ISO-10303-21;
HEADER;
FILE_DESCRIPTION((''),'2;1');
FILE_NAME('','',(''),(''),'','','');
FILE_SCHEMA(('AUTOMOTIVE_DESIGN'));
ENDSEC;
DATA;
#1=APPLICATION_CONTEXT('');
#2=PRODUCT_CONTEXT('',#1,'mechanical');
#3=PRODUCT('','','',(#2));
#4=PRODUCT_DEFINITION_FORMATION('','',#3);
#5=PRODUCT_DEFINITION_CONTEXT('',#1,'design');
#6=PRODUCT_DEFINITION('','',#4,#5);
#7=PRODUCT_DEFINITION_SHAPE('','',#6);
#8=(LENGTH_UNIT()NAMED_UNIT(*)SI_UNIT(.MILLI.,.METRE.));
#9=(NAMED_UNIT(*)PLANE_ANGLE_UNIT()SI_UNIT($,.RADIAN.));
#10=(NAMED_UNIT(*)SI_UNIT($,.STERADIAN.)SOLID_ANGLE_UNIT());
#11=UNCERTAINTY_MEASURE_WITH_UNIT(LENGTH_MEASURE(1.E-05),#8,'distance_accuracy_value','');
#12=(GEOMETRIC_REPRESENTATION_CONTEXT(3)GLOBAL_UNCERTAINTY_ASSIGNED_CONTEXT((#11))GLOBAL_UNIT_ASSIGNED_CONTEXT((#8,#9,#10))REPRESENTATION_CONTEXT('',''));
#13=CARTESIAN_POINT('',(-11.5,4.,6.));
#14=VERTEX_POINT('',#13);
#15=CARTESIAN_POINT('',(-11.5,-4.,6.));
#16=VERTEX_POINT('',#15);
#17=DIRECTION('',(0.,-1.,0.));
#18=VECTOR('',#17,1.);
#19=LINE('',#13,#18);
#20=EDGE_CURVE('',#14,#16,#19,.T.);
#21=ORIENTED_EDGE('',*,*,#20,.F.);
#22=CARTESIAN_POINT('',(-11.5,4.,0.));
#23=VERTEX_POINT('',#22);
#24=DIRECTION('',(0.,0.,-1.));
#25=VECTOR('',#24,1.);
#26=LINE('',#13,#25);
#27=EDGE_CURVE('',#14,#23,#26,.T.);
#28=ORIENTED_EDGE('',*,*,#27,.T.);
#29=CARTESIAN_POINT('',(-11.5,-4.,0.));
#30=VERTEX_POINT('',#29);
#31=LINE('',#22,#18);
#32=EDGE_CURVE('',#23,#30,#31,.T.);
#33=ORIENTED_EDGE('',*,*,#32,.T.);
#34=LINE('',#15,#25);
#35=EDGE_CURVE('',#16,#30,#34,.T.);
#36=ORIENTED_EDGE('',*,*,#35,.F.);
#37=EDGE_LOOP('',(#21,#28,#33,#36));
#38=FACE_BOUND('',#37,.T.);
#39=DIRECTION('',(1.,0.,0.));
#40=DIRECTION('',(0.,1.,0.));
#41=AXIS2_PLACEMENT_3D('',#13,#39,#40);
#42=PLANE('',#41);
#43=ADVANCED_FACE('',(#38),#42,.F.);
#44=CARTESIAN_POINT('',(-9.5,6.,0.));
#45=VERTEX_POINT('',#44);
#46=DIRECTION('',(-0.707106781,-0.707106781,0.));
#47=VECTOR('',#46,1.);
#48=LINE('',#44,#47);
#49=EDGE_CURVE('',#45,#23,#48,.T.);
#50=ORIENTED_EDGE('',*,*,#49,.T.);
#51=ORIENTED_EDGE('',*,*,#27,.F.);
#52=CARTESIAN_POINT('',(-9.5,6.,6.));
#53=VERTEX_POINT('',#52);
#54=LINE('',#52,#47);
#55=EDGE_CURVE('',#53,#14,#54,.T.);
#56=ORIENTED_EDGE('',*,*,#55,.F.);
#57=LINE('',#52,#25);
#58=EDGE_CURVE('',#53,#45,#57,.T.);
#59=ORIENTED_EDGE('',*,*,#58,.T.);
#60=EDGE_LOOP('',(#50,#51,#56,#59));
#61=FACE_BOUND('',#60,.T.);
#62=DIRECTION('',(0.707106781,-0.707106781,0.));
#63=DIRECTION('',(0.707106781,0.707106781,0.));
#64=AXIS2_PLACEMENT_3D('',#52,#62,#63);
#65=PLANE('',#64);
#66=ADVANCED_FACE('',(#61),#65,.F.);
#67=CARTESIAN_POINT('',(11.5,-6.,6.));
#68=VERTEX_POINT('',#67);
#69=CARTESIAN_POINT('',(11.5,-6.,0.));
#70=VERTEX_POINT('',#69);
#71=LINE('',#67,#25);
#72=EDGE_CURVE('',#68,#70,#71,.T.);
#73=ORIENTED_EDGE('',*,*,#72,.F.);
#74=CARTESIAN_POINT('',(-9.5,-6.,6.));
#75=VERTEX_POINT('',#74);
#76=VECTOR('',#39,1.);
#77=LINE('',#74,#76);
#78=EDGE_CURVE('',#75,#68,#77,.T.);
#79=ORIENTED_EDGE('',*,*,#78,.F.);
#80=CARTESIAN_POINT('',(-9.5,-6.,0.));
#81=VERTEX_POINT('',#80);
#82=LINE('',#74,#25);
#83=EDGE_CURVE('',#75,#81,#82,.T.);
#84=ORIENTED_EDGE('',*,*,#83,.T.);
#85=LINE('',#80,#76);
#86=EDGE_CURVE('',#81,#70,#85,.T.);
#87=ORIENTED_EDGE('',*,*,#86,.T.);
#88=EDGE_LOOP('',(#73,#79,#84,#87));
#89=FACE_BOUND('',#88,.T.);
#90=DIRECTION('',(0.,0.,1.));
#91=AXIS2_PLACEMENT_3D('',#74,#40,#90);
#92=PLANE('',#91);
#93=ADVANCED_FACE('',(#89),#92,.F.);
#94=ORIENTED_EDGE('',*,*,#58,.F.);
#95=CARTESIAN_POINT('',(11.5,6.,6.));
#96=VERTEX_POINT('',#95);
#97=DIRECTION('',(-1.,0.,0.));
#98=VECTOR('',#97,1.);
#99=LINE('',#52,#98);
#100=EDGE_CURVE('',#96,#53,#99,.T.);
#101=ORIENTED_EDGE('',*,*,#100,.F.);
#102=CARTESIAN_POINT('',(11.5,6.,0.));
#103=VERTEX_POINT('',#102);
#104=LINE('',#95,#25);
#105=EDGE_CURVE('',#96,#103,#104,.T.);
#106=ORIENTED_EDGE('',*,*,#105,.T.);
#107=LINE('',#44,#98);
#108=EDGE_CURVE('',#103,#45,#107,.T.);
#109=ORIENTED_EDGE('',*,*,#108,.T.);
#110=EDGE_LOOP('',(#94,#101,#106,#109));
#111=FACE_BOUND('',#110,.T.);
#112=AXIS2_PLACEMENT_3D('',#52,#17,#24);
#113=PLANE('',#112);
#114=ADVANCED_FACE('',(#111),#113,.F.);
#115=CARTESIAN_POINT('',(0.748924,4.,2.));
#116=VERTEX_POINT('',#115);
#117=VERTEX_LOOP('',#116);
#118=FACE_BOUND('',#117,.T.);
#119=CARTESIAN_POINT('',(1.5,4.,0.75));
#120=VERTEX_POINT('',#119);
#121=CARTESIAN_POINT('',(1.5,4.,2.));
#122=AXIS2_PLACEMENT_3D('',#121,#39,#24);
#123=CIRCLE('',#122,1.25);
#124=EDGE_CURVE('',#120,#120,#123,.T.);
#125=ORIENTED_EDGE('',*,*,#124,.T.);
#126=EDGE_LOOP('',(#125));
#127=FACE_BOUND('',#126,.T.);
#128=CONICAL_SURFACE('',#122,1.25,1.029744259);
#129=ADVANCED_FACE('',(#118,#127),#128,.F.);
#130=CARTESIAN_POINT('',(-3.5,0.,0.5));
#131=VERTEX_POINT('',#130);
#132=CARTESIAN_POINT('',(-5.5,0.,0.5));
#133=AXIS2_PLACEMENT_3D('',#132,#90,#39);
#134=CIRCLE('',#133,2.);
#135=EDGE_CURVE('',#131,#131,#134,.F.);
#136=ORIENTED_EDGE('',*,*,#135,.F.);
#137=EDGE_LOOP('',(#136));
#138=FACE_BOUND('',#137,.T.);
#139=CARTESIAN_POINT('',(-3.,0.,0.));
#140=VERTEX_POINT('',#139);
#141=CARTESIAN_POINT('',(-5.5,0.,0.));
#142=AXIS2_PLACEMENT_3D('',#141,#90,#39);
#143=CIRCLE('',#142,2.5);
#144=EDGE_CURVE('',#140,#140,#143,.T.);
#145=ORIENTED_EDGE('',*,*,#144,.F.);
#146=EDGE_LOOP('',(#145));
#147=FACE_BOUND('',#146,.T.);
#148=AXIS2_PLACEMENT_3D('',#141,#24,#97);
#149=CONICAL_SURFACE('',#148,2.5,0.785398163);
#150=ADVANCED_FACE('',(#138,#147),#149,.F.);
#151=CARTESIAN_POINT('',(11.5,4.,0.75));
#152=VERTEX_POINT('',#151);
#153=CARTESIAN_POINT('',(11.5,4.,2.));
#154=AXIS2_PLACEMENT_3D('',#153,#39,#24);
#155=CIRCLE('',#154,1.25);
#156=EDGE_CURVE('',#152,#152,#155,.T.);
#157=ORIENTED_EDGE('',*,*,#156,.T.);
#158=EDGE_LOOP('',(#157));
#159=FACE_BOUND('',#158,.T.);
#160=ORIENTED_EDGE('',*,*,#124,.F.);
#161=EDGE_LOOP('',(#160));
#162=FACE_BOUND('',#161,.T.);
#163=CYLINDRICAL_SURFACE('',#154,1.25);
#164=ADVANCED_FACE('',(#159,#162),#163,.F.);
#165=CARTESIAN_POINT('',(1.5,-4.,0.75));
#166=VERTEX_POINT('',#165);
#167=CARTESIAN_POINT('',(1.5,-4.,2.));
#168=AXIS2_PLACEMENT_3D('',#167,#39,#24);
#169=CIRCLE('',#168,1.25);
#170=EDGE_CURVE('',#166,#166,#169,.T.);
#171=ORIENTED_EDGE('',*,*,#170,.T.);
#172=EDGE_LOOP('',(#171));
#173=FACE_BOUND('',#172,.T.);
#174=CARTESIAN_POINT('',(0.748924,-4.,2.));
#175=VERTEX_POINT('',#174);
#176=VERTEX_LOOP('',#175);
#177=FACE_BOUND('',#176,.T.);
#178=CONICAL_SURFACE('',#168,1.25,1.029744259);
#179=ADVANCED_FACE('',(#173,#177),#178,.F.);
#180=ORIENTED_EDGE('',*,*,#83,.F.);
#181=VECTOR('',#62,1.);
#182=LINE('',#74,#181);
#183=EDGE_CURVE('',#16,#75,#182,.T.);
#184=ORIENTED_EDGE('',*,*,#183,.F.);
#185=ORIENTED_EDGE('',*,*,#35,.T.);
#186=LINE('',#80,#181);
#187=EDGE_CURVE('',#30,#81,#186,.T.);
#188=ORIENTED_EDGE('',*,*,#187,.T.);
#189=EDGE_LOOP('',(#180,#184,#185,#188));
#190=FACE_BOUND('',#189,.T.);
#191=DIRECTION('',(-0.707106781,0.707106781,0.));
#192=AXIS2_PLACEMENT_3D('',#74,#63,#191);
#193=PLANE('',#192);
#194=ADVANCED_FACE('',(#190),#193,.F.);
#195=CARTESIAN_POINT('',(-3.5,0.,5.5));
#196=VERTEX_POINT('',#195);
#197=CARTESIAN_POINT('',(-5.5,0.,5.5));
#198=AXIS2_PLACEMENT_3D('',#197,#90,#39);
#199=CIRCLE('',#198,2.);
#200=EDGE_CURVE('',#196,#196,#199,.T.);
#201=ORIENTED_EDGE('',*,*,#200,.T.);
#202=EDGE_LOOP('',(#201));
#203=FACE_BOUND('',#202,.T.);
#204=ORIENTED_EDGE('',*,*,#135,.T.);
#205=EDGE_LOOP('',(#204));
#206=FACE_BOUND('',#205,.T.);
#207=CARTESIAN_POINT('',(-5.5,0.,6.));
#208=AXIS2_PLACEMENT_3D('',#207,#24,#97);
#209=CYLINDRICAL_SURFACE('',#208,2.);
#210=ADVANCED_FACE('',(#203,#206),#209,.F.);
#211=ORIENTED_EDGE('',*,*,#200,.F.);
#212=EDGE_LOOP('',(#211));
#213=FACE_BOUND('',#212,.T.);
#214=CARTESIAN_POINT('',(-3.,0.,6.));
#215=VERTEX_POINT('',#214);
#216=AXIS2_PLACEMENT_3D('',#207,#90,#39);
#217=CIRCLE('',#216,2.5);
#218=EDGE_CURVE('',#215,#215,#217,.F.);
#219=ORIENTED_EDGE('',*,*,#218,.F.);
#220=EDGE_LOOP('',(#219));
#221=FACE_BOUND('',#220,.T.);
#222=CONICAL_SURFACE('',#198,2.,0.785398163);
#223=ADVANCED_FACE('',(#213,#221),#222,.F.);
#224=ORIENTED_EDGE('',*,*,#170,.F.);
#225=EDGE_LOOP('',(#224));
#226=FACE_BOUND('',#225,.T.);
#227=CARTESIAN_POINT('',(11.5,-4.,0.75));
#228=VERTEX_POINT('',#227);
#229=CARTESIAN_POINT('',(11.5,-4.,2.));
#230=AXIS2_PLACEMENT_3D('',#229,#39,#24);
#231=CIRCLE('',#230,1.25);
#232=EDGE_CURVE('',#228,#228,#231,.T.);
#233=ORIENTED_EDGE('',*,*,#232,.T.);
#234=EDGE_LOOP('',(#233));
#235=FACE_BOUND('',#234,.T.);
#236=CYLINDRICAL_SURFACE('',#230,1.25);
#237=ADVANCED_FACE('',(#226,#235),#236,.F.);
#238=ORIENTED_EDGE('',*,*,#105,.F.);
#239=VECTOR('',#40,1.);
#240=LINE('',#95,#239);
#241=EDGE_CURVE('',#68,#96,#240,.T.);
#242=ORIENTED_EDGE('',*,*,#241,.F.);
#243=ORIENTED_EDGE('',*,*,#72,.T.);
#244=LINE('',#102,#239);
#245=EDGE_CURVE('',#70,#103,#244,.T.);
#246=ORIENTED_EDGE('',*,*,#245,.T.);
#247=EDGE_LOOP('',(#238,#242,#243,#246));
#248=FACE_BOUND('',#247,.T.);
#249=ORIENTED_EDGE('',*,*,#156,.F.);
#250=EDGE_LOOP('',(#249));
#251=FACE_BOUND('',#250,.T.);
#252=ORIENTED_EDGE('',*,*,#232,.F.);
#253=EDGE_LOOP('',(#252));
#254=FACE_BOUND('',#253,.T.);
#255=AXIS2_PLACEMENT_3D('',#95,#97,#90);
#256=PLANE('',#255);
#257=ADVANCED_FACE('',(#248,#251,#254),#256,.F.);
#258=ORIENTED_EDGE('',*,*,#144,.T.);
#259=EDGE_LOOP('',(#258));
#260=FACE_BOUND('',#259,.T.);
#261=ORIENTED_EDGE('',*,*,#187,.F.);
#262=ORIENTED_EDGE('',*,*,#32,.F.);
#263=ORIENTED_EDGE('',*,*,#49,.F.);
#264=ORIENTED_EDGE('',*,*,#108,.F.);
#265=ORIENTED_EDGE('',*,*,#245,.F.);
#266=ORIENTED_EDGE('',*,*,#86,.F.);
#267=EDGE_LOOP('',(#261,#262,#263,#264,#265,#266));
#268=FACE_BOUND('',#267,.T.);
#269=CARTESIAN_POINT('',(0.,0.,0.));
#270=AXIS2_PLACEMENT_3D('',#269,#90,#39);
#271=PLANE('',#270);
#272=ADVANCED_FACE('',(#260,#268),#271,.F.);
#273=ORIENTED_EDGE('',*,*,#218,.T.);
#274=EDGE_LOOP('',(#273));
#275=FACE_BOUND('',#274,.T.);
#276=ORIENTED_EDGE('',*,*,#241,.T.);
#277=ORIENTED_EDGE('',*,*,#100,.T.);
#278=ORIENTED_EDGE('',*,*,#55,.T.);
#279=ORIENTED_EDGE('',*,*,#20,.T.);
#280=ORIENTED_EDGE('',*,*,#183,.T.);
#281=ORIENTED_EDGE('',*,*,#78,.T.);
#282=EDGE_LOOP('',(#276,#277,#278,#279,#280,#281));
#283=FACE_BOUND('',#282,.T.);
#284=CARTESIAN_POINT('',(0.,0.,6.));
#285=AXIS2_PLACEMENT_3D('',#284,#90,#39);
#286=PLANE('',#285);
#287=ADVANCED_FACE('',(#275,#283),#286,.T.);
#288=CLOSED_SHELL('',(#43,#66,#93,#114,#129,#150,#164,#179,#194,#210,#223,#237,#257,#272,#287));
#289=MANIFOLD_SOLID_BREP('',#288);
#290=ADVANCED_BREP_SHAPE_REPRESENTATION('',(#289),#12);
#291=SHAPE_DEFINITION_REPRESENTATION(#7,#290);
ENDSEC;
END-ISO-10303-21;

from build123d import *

# Parameters (mm, degrees)
SKETCH5_R                 = 2
BOSS_EXTRUDE3_DEPTH       = 6
CHAMFER1_SIZE             = 0.5
M3X0_5_TAPPED_HOLE2_D     = 2.5
M3X0_5_TAPPED_HOLE2_DEPTH = 10
M3X0_5_TAPPED_HOLE2_TIP   = 0.751075774


with BuildPart() as part:
    # Sketch5 → Boss-Extrude3 (new body)
    with BuildSketch(Plane.XY):
        Polygon((-9.5, -6), (-11.5, -4), (-11.5, 4), (-9.5, 6), (11.5, 6), (11.5, -6), align=None)
        with Locations((-5.5, 0)):
            Circle(SKETCH5_R, mode=Mode.SUBTRACT)
    extrude(amount=BOSS_EXTRUDE3_DEPTH)

    # Chamfer1
    chamfer1_edges = [part.edges().sort_by_distance(p)[0] for p in [
        (-7.5, 0, 0),
        (-7.5, 0, 6),
    ]]
    chamfer(chamfer1_edges, length=CHAMFER1_SIZE)

    # M3x0.5 Tapped Hole2
    with Locations(Plane(origin=(11.5, 4, 2), x_dir=(0, 0, 1), z_dir=(1, 0, 0))):
        with Locations((0, 0), (0, 8)):
            Hole(M3X0_5_TAPPED_HOLE2_D / 2, depth=M3X0_5_TAPPED_HOLE2_DEPTH)
            with Locations((0, 0, -(M3X0_5_TAPPED_HOLE2_DEPTH + M3X0_5_TAPPED_HOLE2_TIP / 2))):  # 118° drill point
                Cone(0, M3X0_5_TAPPED_HOLE2_D / 2, M3X0_5_TAPPED_HOLE2_TIP, mode=Mode.SUBTRACT)


solid = part.part
